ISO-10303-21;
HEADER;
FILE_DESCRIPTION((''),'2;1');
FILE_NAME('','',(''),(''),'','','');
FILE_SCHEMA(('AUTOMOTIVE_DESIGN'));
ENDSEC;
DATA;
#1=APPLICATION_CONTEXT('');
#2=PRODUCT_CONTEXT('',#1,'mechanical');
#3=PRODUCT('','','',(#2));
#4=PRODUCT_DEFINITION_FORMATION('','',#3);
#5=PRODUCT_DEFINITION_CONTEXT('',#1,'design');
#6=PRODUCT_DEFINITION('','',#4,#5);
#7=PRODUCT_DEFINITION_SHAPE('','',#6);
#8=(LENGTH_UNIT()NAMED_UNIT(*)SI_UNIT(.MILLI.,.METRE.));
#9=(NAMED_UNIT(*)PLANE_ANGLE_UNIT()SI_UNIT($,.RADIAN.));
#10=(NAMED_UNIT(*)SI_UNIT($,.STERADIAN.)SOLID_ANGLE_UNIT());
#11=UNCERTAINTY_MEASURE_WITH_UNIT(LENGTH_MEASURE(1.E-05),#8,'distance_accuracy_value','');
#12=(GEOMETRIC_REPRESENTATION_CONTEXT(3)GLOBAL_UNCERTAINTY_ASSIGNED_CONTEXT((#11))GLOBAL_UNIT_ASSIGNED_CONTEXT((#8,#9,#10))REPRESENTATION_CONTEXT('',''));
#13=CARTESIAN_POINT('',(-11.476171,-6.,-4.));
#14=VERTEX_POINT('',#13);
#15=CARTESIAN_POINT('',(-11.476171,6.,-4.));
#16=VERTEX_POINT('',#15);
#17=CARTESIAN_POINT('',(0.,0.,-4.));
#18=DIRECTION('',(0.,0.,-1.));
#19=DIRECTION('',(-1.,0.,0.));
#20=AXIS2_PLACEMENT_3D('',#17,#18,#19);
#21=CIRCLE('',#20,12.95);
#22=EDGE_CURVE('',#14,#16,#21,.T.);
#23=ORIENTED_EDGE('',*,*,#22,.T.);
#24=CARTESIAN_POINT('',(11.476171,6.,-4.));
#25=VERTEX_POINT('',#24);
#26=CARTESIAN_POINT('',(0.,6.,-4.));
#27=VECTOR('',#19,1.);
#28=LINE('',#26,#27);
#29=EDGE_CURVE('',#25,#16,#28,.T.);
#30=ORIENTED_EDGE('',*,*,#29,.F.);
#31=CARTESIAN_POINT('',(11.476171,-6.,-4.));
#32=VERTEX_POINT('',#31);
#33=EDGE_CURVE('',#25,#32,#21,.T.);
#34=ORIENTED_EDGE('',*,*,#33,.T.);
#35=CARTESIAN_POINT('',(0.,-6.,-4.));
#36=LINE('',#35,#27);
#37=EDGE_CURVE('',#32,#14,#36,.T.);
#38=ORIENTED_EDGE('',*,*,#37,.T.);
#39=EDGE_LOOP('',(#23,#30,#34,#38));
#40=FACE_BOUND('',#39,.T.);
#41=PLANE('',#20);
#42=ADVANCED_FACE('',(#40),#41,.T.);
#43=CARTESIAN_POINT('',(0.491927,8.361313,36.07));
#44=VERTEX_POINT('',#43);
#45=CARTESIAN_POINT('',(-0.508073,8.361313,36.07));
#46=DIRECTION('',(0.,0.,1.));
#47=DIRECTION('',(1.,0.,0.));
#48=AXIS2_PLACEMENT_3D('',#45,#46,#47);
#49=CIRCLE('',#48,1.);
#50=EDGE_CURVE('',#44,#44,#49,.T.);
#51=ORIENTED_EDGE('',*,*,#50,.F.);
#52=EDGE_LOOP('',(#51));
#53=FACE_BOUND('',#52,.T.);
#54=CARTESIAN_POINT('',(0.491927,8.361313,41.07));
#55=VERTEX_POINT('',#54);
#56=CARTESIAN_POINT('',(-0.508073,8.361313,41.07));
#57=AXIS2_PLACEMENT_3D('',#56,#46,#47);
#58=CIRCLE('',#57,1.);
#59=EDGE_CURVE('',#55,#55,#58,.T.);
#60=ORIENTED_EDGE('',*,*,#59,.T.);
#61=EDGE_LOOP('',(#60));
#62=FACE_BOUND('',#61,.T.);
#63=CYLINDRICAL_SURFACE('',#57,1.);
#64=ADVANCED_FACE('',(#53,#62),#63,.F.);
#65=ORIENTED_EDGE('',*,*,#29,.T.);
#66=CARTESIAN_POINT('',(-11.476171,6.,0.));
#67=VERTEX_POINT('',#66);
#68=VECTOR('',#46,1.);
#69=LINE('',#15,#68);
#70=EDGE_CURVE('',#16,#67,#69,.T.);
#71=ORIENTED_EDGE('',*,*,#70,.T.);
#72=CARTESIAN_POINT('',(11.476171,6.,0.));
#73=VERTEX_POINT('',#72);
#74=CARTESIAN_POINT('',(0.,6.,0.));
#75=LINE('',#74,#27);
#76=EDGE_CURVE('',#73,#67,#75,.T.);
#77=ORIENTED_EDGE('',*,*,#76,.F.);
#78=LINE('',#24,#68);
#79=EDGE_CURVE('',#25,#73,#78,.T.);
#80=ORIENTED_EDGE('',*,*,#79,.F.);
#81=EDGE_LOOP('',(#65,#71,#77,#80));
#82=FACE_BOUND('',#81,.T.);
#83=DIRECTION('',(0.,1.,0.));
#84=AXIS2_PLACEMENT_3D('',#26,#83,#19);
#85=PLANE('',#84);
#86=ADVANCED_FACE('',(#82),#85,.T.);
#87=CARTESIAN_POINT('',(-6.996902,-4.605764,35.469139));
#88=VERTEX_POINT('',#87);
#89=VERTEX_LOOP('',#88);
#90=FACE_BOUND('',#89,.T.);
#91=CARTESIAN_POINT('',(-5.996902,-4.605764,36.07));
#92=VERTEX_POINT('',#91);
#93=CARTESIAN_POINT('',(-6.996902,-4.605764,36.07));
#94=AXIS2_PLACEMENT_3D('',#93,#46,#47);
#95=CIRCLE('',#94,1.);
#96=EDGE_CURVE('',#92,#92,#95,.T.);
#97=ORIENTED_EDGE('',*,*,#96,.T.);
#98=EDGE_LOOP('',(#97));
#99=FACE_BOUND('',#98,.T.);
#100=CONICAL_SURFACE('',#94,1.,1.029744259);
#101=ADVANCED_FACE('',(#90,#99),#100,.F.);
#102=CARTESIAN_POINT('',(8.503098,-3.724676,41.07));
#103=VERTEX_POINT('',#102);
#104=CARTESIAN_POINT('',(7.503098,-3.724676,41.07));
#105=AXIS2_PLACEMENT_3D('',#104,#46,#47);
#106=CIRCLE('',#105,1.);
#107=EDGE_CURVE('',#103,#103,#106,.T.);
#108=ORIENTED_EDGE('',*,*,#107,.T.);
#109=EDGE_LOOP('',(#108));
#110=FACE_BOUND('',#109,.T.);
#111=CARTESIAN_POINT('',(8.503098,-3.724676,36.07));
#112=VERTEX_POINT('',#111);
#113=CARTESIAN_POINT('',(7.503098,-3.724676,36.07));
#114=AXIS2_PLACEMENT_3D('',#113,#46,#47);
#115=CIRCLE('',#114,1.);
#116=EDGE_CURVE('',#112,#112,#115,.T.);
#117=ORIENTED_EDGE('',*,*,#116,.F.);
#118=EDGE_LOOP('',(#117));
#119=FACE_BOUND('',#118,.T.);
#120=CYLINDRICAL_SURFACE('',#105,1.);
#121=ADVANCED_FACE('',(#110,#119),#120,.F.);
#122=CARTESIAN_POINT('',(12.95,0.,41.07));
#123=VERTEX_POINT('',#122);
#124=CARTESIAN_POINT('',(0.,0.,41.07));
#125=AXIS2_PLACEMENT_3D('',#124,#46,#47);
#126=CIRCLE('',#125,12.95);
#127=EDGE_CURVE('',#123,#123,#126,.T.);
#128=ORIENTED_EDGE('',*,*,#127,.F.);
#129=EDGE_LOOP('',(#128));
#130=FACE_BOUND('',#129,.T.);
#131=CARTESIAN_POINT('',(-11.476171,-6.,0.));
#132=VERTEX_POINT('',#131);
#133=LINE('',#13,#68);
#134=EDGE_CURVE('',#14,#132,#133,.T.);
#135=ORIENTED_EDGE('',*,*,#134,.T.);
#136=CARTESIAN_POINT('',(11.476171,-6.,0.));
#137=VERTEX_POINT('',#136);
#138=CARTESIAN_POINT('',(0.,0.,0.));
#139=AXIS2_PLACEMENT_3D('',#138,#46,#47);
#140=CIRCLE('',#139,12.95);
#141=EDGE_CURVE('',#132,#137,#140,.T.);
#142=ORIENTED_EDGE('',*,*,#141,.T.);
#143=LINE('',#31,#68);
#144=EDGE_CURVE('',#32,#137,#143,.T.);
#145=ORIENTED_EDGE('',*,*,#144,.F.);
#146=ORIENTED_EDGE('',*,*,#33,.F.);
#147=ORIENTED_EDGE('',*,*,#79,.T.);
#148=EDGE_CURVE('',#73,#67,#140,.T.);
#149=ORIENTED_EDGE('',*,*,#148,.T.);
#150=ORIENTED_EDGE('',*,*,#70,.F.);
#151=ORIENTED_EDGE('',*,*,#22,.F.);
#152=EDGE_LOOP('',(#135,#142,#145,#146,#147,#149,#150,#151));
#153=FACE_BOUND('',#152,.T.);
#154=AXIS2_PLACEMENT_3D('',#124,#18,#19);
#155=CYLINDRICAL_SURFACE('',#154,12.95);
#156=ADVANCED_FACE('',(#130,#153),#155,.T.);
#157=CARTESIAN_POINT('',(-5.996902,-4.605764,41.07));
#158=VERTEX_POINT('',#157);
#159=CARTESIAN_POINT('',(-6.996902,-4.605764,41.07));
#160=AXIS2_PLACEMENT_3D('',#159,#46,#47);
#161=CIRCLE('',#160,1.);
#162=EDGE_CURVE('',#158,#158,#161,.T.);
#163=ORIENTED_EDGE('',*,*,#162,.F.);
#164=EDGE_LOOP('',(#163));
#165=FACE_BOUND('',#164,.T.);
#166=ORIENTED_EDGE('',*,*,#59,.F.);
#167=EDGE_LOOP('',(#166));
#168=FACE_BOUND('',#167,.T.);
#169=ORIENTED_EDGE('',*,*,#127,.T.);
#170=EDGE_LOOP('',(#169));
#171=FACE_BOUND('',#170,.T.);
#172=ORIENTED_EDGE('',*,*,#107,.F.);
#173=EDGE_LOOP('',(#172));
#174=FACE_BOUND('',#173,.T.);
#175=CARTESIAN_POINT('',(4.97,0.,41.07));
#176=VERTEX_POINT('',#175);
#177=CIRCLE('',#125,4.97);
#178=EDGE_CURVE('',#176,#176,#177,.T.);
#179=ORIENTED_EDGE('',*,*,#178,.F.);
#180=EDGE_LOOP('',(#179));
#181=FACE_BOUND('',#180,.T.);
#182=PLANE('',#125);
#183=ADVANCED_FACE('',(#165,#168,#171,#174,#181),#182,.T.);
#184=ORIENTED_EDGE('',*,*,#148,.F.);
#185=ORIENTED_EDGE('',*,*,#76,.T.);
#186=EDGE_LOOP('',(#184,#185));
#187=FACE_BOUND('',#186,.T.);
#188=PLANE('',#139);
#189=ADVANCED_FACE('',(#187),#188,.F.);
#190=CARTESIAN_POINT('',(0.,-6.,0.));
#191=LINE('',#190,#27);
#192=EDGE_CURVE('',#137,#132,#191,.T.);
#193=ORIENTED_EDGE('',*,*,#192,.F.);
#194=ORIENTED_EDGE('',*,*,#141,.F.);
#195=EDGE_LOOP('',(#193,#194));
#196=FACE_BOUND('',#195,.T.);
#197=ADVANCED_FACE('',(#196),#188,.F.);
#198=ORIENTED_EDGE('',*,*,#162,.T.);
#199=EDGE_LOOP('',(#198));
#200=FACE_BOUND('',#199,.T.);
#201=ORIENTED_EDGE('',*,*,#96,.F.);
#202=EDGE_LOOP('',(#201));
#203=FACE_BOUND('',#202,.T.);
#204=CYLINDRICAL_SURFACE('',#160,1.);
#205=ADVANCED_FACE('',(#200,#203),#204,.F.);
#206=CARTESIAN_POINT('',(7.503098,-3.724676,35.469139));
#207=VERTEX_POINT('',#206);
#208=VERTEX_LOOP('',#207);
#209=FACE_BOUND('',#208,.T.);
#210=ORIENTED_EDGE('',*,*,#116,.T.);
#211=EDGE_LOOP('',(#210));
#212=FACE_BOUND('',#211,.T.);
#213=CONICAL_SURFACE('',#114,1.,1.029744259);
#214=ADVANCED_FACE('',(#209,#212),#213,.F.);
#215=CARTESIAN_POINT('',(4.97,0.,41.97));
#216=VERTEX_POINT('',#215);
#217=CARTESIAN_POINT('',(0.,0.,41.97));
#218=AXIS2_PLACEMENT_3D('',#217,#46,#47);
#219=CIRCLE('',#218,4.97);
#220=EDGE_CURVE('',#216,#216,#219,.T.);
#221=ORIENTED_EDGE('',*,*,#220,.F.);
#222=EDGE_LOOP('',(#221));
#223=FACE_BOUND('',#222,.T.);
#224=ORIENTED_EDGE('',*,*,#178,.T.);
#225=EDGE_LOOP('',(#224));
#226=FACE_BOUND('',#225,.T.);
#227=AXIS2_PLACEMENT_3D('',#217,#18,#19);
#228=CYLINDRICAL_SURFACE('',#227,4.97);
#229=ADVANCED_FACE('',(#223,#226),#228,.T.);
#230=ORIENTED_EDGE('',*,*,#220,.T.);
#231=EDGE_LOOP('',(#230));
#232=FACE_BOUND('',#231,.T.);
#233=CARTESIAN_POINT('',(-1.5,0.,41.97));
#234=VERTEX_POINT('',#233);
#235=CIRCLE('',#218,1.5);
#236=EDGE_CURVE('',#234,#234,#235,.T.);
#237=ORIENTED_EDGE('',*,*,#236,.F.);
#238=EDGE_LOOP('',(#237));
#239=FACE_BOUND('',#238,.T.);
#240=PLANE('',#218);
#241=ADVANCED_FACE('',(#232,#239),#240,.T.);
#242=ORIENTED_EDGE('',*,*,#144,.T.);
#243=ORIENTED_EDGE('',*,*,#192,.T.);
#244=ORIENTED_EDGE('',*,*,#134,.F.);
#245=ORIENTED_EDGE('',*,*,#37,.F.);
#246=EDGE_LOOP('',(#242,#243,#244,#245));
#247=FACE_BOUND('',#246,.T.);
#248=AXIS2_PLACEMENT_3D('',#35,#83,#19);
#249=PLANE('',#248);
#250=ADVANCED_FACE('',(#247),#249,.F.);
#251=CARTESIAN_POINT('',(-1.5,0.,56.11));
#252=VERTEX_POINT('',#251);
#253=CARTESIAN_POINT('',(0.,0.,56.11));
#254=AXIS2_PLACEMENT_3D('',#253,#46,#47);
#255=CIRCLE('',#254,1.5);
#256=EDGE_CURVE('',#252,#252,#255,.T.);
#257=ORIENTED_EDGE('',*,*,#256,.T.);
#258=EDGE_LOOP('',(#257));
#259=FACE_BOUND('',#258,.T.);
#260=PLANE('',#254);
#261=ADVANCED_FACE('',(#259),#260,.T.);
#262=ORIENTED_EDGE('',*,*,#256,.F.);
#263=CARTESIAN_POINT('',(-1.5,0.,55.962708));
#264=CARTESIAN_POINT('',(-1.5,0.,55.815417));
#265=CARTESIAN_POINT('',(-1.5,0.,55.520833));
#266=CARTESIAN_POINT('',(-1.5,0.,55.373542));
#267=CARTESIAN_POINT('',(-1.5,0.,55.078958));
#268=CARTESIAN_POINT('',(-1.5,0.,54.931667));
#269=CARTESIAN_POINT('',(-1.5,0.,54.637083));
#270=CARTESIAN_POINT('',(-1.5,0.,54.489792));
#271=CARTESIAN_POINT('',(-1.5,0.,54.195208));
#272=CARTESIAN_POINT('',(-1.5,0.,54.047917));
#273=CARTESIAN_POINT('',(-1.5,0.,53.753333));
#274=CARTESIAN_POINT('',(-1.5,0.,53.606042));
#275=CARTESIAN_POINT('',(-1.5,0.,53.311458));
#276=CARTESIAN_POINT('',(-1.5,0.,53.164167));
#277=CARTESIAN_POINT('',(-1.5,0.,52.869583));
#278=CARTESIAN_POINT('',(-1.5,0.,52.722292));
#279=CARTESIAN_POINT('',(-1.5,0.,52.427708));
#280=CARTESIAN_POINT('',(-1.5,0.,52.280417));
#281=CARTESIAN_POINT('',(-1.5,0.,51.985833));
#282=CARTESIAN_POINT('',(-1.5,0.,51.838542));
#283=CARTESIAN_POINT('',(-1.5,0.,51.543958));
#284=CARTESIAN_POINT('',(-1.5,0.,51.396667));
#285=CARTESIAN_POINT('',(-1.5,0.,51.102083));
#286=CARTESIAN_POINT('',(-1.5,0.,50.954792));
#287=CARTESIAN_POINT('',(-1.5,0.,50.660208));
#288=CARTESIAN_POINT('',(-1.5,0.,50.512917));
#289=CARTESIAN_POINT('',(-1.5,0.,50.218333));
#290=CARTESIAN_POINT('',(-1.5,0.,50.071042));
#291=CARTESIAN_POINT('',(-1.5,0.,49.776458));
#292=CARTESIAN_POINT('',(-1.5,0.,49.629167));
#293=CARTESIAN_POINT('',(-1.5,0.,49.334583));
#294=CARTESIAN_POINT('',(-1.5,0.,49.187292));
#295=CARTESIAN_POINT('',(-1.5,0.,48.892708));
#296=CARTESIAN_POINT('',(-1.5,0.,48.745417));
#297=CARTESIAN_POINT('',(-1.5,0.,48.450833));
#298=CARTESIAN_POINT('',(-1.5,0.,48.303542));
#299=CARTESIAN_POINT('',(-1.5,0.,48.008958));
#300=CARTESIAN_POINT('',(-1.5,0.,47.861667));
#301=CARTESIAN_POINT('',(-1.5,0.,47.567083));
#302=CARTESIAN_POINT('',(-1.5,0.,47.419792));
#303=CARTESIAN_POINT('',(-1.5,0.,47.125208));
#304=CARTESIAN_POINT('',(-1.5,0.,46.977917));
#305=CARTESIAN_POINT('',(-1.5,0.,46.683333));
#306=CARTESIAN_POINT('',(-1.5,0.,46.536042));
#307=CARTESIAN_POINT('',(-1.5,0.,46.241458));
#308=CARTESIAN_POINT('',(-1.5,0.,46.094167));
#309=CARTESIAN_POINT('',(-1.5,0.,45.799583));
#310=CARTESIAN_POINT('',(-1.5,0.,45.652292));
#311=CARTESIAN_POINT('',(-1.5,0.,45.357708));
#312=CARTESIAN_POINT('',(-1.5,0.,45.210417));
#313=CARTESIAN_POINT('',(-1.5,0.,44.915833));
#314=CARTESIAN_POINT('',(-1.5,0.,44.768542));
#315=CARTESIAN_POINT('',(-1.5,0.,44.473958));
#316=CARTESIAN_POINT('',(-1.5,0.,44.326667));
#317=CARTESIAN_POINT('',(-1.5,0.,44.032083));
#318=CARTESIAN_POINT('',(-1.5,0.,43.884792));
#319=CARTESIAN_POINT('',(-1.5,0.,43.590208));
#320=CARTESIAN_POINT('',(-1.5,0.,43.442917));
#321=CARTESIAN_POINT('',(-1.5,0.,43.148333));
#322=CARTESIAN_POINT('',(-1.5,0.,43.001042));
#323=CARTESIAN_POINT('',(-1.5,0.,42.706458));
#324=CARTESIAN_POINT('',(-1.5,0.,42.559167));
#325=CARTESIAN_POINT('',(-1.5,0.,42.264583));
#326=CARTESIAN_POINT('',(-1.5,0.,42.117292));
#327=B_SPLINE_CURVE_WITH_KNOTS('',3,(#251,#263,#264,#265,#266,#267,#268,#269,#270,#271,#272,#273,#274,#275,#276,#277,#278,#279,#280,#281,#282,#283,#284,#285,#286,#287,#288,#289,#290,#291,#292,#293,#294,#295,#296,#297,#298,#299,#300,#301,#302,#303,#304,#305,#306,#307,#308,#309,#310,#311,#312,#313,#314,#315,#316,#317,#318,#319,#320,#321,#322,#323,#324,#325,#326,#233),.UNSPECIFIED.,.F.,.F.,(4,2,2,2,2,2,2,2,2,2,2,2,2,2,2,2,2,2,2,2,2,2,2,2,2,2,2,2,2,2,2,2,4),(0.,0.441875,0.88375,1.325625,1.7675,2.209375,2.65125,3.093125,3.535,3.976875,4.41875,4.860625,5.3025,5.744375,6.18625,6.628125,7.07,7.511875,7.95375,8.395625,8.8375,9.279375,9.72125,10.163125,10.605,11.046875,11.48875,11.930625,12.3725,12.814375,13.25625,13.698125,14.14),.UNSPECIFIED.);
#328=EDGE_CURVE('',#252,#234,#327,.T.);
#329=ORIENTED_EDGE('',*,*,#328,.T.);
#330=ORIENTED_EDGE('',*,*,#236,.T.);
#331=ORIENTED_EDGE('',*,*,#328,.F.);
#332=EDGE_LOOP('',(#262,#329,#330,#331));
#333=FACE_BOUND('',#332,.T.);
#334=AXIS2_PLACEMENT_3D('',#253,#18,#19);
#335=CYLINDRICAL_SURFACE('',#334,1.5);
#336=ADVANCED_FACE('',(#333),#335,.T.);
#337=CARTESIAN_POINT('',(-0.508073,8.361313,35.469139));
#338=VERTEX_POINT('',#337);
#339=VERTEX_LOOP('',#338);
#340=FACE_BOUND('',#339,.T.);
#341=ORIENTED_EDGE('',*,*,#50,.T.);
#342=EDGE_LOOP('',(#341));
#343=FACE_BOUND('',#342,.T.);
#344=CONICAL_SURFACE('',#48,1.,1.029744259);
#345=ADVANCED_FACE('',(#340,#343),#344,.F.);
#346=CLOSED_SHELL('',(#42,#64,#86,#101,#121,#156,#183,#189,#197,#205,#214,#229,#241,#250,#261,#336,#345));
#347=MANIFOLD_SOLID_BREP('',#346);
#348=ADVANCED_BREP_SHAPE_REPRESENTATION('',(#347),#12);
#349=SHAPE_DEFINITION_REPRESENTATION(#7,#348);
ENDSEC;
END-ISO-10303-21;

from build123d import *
from build123d.topology import SkipClean

# Parameters (mm, degrees)
SKETCH1_R                    = 12.95
BOSS_EXTRUDE1_DEPTH          = 41.07
SKETCH2_R                    = 4.97
BOSS_EXTRUDE2_DEPTH          = 0.9
SKETCH3_R                    = 1.5
BOSS_EXTRUDE3_DEPTH          = 14.14
F_2_0_2_DIAMETER_HOLE1_D     = 2
F_2_0_2_DIAMETER_HOLE1_DEPTH = 5
F_2_0_2_DIAMETER_HOLE1_TIP   = 0.600860619
BOSS_EXTRUDE4_START          = 4
BOSS_EXTRUDE4_DEPTH          = 4


with BuildPart() as part:
    # Sketch1 → Boss-Extrude1 (new body)
    with BuildSketch(Plane.XY):
        Circle(SKETCH1_R)
    extrude(amount=BOSS_EXTRUDE1_DEPTH)

    # Sketch2 → Boss-Extrude2 (add)
    with BuildSketch(Plane.XY.offset(41.07)):
        Circle(SKETCH2_R)
    extrude(amount=BOSS_EXTRUDE2_DEPTH)

    # Sketch3 → Boss-Extrude3 (add)
    with BuildSketch(Plane.XY.offset(41.97)):
        with Locations(Location((0, 0, 0), (0, 0, 180))):
            Circle(SKETCH3_R)
    extrude(amount=BOSS_EXTRUDE3_DEPTH)

    # Ø2.0 (2) Diameter Hole1
    with Locations(Plane.XY.offset(41.07)):
        with Locations((-0.508072965, 8.361313231), (7.50309849, -3.724675843), (-6.99690151, -4.60576447)):
            Hole(F_2_0_2_DIAMETER_HOLE1_D / 2, depth=F_2_0_2_DIAMETER_HOLE1_DEPTH)
            with Locations((0, 0, -(F_2_0_2_DIAMETER_HOLE1_DEPTH + F_2_0_2_DIAMETER_HOLE1_TIP / 2))):  # 118° drill point
                Cone(0, F_2_0_2_DIAMETER_HOLE1_D / 2, F_2_0_2_DIAMETER_HOLE1_TIP, mode=Mode.SUBTRACT)

    # Sketch6 → Boss-Extrude4 (add)
    with SkipClean():  # the faces are left unmerged after this step: merging them gives an invalid solid
        with BuildSketch(Plane(origin=(0, 0, 0), x_dir=(-1, 0, 0), z_dir=(0, 0, -1)).offset(BOSS_EXTRUDE4_START)):
            with BuildLine():
                ThreePointArc((-11.476170964, 6), (-12.95, 0), (-11.476170964, -6))
                Line((-11.476170964, -6), (11.476170964, -6))
                ThreePointArc((11.476170964, -6), (12.576146349, -3.089181608), (12.95, 0))
                ThreePointArc((12.95, 0), (12.576146349, 3.089181608), (11.476170964, 6))
                Line((11.476170964, 6), (-11.476170964, 6))
            make_face()
        extrude(amount=-BOSS_EXTRUDE4_DEPTH)


solid = part.part
